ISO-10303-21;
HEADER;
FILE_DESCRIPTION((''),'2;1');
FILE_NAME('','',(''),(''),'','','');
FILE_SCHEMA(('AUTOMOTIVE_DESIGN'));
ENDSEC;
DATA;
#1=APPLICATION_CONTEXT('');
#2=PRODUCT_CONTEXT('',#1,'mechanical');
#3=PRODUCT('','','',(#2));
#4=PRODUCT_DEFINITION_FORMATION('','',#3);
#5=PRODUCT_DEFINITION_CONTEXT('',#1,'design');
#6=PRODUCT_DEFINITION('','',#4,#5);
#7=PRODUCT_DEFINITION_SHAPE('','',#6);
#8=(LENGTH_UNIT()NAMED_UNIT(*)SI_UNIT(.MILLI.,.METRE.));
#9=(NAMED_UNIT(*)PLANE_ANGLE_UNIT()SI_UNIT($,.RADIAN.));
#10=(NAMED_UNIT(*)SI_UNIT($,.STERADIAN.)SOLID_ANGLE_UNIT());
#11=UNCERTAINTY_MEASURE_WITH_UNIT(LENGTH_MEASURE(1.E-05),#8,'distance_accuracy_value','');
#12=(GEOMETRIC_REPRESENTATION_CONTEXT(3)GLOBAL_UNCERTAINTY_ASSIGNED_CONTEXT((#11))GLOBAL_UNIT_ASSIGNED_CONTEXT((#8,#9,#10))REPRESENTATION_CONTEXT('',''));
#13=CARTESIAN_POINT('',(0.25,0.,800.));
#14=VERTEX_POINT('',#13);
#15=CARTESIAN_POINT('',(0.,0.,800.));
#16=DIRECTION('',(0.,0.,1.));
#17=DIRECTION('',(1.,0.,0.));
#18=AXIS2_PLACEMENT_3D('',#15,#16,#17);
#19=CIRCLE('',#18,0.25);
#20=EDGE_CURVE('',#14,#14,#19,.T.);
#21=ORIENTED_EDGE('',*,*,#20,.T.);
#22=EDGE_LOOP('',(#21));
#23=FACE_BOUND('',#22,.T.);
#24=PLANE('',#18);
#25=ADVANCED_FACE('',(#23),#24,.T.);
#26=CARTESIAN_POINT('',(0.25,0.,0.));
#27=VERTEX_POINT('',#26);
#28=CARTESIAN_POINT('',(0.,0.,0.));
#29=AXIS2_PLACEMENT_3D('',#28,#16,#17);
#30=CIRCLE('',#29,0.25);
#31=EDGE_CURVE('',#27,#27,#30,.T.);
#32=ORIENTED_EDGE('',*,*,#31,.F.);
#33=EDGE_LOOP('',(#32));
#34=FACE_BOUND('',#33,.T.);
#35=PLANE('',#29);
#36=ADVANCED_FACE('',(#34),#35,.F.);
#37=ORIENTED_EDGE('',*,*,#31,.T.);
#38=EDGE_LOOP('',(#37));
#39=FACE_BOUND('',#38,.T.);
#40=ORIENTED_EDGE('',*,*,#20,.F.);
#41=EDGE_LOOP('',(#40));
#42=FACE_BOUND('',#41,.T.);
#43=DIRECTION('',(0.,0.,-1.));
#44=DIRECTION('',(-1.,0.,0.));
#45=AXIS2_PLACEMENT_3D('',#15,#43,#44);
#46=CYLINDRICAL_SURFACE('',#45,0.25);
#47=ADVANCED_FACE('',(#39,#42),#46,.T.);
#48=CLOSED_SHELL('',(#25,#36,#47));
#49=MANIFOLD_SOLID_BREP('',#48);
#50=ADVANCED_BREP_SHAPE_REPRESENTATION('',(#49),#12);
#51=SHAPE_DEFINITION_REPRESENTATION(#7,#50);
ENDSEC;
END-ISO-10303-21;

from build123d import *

# Parameters (mm, degrees)
SKETCH1_R           = 0.25
BOSS_EXTRUDE1_DEPTH = 800


with BuildPart() as part:
    # Sketch1 → Boss-Extrude1 (new body)
    with BuildSketch(Plane.XY):
        Circle(SKETCH1_R)
    extrude(amount=BOSS_EXTRUDE1_DEPTH)


solid = part.part
